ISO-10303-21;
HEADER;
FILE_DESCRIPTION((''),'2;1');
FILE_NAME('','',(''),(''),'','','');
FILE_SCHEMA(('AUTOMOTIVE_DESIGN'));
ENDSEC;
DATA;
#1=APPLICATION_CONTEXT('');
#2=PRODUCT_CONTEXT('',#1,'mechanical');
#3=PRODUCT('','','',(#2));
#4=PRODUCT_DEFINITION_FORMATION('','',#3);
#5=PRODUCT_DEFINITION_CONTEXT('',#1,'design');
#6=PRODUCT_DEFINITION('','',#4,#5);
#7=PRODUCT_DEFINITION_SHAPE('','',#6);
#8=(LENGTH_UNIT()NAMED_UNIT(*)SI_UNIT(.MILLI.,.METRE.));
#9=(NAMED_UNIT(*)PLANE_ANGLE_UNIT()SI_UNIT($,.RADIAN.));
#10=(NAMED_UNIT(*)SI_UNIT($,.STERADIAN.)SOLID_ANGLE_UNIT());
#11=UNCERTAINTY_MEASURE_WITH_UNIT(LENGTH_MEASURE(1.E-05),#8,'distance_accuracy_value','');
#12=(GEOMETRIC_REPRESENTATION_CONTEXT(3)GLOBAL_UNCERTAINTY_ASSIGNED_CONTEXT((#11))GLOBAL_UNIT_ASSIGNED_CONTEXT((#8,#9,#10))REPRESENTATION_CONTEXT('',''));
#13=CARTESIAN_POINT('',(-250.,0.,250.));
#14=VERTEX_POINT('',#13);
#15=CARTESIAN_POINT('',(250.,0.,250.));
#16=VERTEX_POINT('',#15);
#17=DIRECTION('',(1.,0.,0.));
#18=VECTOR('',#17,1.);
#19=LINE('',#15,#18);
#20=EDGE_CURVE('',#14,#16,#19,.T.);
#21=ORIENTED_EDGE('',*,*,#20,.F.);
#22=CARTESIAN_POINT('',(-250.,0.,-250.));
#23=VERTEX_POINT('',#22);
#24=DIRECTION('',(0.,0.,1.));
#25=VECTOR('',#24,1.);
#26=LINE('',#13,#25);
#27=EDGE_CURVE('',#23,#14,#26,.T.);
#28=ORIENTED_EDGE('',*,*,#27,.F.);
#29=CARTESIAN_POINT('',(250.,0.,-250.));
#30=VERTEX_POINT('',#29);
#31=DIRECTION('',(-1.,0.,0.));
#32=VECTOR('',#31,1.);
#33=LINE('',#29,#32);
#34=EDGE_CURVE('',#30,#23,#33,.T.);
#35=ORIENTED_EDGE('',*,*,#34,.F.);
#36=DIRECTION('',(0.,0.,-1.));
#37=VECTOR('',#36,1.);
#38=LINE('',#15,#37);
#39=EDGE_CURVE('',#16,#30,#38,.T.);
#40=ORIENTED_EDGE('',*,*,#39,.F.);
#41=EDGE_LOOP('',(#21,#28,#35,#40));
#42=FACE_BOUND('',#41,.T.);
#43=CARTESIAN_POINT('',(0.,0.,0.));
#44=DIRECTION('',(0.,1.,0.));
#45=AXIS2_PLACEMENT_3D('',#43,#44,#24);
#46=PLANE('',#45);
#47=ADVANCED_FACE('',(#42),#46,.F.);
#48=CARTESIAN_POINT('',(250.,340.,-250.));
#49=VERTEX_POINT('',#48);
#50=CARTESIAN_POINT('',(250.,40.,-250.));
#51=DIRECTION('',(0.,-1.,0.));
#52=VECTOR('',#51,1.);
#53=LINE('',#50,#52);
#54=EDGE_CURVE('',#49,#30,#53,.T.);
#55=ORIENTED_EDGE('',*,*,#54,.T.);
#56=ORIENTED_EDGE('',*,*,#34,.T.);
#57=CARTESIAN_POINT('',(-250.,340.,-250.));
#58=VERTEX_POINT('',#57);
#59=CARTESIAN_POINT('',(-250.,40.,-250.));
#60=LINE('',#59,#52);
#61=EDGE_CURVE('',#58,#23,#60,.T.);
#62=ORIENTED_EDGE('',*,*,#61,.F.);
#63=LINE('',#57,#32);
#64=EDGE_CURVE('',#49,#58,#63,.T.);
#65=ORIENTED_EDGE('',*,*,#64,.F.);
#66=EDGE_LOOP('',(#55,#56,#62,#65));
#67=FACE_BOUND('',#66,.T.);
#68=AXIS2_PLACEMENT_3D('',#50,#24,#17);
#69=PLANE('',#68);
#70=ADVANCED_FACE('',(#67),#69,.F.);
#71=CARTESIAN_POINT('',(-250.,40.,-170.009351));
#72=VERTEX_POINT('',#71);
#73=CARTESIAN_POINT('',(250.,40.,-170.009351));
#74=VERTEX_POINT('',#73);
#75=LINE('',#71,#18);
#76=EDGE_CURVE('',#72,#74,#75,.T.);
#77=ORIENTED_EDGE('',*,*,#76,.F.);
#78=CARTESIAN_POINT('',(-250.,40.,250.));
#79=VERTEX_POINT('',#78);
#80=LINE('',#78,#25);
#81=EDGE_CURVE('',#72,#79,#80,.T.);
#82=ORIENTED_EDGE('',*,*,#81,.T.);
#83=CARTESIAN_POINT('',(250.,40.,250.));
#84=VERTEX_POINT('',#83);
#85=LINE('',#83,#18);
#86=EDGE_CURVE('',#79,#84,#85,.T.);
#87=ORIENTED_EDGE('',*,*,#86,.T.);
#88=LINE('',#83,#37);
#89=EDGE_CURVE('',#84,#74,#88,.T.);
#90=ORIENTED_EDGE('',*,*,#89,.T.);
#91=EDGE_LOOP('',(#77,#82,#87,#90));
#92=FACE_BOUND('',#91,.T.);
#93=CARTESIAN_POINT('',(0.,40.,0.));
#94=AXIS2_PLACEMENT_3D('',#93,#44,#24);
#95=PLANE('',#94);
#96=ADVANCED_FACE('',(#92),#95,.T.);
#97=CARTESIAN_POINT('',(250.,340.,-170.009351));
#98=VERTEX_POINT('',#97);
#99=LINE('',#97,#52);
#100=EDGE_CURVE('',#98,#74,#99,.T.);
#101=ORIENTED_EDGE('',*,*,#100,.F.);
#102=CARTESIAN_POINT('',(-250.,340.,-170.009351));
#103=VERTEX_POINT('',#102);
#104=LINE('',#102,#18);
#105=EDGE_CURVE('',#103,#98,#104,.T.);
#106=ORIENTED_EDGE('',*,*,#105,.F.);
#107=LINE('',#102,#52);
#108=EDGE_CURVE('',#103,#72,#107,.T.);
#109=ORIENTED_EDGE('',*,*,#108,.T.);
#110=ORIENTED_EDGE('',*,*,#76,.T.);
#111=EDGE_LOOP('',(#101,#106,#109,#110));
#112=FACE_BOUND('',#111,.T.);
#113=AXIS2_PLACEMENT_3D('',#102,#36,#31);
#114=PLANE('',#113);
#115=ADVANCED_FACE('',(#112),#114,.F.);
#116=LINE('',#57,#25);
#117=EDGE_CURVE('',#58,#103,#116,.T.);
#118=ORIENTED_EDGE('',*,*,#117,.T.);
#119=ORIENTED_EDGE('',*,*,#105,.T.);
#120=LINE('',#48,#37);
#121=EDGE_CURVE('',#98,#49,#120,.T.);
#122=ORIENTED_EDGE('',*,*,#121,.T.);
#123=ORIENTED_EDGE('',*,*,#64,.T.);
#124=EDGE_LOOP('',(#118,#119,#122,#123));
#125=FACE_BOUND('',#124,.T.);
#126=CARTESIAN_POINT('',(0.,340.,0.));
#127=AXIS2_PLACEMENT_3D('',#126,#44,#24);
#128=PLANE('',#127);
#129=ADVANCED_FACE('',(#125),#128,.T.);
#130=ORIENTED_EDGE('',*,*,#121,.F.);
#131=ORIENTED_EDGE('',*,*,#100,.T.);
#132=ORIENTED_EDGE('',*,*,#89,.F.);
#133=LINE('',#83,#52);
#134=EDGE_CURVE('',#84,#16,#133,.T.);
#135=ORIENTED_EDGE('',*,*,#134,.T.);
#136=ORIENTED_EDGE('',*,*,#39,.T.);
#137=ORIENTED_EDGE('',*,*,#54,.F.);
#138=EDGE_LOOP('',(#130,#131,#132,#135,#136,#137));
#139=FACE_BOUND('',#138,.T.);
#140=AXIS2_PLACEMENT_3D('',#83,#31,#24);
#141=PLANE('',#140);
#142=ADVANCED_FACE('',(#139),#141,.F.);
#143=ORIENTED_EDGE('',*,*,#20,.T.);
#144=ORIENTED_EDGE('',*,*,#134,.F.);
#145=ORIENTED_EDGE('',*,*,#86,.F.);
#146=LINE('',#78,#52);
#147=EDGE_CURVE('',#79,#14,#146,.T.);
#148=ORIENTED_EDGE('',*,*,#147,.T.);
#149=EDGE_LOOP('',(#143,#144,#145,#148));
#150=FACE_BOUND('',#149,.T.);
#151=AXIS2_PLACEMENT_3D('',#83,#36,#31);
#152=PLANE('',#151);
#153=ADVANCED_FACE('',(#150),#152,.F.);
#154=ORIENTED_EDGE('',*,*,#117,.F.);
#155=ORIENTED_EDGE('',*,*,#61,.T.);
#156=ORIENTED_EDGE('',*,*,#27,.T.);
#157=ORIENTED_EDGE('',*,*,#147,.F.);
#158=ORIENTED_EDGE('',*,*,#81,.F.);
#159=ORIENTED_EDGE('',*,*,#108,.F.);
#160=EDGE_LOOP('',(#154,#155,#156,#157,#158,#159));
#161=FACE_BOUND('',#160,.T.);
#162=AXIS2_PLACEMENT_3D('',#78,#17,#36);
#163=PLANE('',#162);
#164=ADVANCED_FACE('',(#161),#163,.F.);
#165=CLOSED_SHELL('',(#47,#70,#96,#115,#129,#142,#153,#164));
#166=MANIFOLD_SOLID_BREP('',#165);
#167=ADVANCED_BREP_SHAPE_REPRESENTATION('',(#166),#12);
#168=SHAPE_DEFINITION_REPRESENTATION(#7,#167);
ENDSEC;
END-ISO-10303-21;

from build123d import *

# Parameters (mm, degrees)
SKETCH1_W           = 500
SKETCH1_H           = 500
BOSS_EXTRUDE1_DEPTH = 40
SKETCH2_W           = 500
SKETCH2_H           = 79.990648642
BOSS_EXTRUDE2_DEPTH = 300


with BuildPart() as part:
    # Sketch1 → Boss-Extrude1 (new body)
    with BuildSketch(Plane(origin=(0, 0, 0), x_dir=(1, 0, 0), z_dir=(0, 1, 0))):
        Rectangle(SKETCH1_W, SKETCH1_H)
    extrude(amount=BOSS_EXTRUDE1_DEPTH)

    # Sketch2 → Boss-Extrude2 (add)
    with BuildSketch(Plane(origin=(0, 40, 0), x_dir=(1, 0, 0), z_dir=(0, 1, 0))):
        with Locations((0, 210.004675679)):
            Rectangle(SKETCH2_W, SKETCH2_H)
    extrude(amount=BOSS_EXTRUDE2_DEPTH)


solid = part.part
